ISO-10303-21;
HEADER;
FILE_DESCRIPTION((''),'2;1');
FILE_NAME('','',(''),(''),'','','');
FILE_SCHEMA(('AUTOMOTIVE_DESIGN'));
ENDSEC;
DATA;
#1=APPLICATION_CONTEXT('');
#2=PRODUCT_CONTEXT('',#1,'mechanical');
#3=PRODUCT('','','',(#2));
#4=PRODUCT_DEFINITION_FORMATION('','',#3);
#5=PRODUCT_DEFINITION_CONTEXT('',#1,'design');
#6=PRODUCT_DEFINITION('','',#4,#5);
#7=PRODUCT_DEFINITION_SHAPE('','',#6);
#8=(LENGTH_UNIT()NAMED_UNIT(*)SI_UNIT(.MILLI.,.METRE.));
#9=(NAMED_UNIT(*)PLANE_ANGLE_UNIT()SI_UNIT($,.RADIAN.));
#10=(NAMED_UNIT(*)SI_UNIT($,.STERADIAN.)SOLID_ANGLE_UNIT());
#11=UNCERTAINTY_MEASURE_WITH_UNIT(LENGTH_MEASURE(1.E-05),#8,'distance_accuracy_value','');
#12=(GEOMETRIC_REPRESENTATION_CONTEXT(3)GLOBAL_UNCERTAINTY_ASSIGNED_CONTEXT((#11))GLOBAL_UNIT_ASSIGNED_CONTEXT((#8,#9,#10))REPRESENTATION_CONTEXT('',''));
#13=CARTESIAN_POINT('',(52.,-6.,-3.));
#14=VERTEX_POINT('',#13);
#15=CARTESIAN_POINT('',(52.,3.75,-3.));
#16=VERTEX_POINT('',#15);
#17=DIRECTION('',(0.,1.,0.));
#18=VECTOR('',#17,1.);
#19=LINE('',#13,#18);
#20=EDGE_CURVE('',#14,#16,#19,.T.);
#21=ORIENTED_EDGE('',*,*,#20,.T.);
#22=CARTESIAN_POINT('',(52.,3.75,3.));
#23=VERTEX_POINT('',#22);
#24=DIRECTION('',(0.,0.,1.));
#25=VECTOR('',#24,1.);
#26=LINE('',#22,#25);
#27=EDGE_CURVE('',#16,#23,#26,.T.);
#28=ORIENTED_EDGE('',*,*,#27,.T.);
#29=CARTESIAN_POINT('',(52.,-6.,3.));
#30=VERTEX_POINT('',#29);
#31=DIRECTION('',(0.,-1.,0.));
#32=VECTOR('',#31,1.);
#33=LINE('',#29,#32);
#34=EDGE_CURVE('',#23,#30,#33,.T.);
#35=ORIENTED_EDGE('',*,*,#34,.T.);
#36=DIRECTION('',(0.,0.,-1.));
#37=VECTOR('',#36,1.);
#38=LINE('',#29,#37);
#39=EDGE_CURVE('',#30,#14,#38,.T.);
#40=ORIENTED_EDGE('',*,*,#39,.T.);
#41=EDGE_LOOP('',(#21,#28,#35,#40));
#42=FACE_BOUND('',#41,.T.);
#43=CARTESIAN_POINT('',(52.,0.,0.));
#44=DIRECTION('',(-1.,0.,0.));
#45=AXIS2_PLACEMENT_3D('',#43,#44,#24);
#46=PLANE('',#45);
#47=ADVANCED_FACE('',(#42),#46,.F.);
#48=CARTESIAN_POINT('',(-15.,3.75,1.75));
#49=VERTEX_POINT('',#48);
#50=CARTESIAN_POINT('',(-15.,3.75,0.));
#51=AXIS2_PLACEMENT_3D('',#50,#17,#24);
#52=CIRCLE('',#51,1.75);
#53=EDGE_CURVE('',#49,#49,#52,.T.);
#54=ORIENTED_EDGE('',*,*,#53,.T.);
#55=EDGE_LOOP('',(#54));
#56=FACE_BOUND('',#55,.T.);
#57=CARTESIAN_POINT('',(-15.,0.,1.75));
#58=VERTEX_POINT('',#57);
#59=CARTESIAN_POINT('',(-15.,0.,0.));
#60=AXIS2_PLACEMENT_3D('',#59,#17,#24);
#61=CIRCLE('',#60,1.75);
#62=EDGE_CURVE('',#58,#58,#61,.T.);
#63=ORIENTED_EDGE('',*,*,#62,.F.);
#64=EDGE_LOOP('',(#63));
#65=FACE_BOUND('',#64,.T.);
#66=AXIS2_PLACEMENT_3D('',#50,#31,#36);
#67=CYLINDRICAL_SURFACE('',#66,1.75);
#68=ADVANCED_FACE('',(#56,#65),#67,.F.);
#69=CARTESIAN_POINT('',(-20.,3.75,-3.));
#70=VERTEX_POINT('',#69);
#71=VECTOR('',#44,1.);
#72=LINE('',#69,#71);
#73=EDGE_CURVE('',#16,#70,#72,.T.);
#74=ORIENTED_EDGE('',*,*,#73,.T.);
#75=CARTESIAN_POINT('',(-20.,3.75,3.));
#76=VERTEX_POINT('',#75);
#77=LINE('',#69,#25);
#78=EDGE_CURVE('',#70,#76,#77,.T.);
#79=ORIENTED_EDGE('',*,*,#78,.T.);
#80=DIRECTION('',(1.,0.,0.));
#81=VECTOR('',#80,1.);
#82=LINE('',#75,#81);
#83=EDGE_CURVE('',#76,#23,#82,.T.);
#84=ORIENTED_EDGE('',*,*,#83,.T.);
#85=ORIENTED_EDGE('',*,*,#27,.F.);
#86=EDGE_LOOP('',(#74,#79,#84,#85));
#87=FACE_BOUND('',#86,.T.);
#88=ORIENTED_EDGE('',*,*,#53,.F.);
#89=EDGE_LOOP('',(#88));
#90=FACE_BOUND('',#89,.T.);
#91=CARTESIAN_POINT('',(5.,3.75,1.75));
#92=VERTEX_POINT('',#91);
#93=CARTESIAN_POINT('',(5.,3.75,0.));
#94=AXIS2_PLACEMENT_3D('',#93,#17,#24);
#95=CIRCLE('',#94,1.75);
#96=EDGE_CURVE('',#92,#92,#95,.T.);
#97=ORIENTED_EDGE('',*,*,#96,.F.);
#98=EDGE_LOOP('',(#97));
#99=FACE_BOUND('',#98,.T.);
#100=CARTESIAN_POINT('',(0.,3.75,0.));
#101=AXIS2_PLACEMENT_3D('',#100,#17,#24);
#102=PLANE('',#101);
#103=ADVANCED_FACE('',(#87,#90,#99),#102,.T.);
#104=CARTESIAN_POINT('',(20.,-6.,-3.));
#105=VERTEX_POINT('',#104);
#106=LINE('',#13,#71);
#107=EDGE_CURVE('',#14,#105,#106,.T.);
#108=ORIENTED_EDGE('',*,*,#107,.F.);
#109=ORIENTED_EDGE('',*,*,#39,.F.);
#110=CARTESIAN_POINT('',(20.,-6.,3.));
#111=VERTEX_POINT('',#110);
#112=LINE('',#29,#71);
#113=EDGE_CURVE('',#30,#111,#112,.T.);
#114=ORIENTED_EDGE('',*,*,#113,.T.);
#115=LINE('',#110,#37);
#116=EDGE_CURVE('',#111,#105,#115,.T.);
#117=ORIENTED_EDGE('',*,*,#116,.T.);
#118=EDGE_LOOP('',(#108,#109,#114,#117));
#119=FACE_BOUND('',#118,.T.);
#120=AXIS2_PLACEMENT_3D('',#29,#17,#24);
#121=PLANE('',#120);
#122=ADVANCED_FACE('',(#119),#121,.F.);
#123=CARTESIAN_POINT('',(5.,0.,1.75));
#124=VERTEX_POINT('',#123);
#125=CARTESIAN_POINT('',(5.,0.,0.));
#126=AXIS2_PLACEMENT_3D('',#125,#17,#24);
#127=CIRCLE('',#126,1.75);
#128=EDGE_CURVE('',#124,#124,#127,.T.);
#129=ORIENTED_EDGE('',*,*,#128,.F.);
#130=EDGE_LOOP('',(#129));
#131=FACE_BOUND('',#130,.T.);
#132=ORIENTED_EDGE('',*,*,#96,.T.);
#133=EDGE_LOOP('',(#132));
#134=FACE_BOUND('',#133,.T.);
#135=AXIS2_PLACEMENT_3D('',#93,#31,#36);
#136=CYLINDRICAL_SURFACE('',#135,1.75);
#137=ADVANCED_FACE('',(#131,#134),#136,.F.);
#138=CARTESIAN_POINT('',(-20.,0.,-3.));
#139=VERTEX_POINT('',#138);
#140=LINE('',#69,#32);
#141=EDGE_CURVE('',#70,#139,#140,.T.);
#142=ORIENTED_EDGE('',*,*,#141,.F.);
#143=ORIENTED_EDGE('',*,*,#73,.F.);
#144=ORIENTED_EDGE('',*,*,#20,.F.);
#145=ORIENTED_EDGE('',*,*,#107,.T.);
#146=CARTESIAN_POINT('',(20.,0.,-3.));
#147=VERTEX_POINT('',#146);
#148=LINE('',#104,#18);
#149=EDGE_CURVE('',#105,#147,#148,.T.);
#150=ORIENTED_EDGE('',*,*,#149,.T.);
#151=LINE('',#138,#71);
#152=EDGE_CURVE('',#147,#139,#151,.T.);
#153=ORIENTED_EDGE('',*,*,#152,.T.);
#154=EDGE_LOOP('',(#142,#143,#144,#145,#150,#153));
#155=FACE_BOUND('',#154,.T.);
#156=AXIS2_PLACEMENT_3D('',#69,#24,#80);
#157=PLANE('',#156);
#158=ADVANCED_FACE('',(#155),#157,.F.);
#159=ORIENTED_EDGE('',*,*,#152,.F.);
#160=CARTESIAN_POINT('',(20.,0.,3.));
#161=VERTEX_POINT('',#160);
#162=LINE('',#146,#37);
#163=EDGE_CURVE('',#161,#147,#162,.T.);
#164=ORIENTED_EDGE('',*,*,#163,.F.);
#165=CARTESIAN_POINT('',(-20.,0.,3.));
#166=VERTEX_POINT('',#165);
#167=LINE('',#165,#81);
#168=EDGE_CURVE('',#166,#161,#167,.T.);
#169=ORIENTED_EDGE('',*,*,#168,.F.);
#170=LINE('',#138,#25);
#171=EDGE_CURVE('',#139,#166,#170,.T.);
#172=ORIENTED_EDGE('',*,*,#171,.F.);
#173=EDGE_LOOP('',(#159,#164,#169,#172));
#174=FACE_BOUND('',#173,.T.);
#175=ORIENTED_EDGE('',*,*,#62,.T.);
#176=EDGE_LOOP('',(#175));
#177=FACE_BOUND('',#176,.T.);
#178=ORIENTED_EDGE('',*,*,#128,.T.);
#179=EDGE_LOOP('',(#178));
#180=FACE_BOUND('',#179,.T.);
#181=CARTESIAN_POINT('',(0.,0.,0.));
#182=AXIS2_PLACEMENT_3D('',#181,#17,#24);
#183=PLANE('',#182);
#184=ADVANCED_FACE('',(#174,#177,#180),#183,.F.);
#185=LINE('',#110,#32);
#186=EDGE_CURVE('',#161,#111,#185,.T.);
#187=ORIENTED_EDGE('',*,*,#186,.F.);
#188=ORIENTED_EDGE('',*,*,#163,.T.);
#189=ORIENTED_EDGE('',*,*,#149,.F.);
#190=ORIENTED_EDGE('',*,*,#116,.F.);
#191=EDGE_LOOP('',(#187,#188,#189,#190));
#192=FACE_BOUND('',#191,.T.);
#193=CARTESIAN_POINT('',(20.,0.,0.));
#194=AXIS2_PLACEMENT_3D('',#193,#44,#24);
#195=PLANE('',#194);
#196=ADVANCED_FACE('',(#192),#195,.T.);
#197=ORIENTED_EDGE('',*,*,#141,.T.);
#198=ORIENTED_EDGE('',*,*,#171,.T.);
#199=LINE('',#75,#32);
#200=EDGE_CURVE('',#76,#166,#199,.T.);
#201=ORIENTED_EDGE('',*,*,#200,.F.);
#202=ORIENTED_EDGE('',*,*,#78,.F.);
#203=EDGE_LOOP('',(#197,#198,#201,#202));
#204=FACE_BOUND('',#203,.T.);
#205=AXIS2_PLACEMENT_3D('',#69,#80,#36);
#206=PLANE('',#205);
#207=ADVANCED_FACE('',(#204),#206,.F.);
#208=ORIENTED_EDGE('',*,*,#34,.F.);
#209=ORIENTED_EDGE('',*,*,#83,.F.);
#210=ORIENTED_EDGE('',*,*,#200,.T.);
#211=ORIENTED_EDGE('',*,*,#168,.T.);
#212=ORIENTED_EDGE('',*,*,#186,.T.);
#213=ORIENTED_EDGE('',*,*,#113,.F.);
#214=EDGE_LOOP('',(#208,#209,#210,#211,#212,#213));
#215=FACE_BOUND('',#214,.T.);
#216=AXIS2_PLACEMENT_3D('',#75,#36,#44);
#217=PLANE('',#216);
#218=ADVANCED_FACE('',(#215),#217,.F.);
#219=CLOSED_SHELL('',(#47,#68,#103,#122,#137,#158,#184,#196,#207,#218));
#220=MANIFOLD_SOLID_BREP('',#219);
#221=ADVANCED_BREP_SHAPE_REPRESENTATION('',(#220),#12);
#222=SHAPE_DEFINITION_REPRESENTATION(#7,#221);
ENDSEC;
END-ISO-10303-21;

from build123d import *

# Parameters (mm, degrees)
SKETCH_1_W      = 40
SKETCH_1_H      = 6
SKETCH_1_R      = 1.75
EXTRUDE_1_DEPTH = 3.75
SKETCH_2_W      = 6
SKETCH_2_H      = 9.75
EXTRUDE_2_DEPTH = 32


with BuildPart() as part:
    # 草图1 → 凸台-拉伸1 (new body)
    with BuildSketch(Plane(origin=(0, 0, 0), x_dir=(1, 0, 0), z_dir=(0, 1, 0))):
        Rectangle(SKETCH_1_W, SKETCH_1_H)
        with Locations(Location((-15, 0, 0), (0, 0, 270))):
            Circle(SKETCH_1_R, mode=Mode.SUBTRACT)
        with Locations(Location((5, 0, 0), (0, 0, 270))):
            Circle(SKETCH_1_R, mode=Mode.SUBTRACT)
    extrude(amount=EXTRUDE_1_DEPTH)

    # 草图2 → 凸台-拉伸2 (add)
    with BuildSketch(Plane(origin=(20, 0, 0), x_dir=(0, 0, -1), z_dir=(1, 0, 0))):
        with Locations((0, -1.125)):
            Rectangle(SKETCH_2_W, SKETCH_2_H)
    extrude(amount=EXTRUDE_2_DEPTH)


solid = part.part
